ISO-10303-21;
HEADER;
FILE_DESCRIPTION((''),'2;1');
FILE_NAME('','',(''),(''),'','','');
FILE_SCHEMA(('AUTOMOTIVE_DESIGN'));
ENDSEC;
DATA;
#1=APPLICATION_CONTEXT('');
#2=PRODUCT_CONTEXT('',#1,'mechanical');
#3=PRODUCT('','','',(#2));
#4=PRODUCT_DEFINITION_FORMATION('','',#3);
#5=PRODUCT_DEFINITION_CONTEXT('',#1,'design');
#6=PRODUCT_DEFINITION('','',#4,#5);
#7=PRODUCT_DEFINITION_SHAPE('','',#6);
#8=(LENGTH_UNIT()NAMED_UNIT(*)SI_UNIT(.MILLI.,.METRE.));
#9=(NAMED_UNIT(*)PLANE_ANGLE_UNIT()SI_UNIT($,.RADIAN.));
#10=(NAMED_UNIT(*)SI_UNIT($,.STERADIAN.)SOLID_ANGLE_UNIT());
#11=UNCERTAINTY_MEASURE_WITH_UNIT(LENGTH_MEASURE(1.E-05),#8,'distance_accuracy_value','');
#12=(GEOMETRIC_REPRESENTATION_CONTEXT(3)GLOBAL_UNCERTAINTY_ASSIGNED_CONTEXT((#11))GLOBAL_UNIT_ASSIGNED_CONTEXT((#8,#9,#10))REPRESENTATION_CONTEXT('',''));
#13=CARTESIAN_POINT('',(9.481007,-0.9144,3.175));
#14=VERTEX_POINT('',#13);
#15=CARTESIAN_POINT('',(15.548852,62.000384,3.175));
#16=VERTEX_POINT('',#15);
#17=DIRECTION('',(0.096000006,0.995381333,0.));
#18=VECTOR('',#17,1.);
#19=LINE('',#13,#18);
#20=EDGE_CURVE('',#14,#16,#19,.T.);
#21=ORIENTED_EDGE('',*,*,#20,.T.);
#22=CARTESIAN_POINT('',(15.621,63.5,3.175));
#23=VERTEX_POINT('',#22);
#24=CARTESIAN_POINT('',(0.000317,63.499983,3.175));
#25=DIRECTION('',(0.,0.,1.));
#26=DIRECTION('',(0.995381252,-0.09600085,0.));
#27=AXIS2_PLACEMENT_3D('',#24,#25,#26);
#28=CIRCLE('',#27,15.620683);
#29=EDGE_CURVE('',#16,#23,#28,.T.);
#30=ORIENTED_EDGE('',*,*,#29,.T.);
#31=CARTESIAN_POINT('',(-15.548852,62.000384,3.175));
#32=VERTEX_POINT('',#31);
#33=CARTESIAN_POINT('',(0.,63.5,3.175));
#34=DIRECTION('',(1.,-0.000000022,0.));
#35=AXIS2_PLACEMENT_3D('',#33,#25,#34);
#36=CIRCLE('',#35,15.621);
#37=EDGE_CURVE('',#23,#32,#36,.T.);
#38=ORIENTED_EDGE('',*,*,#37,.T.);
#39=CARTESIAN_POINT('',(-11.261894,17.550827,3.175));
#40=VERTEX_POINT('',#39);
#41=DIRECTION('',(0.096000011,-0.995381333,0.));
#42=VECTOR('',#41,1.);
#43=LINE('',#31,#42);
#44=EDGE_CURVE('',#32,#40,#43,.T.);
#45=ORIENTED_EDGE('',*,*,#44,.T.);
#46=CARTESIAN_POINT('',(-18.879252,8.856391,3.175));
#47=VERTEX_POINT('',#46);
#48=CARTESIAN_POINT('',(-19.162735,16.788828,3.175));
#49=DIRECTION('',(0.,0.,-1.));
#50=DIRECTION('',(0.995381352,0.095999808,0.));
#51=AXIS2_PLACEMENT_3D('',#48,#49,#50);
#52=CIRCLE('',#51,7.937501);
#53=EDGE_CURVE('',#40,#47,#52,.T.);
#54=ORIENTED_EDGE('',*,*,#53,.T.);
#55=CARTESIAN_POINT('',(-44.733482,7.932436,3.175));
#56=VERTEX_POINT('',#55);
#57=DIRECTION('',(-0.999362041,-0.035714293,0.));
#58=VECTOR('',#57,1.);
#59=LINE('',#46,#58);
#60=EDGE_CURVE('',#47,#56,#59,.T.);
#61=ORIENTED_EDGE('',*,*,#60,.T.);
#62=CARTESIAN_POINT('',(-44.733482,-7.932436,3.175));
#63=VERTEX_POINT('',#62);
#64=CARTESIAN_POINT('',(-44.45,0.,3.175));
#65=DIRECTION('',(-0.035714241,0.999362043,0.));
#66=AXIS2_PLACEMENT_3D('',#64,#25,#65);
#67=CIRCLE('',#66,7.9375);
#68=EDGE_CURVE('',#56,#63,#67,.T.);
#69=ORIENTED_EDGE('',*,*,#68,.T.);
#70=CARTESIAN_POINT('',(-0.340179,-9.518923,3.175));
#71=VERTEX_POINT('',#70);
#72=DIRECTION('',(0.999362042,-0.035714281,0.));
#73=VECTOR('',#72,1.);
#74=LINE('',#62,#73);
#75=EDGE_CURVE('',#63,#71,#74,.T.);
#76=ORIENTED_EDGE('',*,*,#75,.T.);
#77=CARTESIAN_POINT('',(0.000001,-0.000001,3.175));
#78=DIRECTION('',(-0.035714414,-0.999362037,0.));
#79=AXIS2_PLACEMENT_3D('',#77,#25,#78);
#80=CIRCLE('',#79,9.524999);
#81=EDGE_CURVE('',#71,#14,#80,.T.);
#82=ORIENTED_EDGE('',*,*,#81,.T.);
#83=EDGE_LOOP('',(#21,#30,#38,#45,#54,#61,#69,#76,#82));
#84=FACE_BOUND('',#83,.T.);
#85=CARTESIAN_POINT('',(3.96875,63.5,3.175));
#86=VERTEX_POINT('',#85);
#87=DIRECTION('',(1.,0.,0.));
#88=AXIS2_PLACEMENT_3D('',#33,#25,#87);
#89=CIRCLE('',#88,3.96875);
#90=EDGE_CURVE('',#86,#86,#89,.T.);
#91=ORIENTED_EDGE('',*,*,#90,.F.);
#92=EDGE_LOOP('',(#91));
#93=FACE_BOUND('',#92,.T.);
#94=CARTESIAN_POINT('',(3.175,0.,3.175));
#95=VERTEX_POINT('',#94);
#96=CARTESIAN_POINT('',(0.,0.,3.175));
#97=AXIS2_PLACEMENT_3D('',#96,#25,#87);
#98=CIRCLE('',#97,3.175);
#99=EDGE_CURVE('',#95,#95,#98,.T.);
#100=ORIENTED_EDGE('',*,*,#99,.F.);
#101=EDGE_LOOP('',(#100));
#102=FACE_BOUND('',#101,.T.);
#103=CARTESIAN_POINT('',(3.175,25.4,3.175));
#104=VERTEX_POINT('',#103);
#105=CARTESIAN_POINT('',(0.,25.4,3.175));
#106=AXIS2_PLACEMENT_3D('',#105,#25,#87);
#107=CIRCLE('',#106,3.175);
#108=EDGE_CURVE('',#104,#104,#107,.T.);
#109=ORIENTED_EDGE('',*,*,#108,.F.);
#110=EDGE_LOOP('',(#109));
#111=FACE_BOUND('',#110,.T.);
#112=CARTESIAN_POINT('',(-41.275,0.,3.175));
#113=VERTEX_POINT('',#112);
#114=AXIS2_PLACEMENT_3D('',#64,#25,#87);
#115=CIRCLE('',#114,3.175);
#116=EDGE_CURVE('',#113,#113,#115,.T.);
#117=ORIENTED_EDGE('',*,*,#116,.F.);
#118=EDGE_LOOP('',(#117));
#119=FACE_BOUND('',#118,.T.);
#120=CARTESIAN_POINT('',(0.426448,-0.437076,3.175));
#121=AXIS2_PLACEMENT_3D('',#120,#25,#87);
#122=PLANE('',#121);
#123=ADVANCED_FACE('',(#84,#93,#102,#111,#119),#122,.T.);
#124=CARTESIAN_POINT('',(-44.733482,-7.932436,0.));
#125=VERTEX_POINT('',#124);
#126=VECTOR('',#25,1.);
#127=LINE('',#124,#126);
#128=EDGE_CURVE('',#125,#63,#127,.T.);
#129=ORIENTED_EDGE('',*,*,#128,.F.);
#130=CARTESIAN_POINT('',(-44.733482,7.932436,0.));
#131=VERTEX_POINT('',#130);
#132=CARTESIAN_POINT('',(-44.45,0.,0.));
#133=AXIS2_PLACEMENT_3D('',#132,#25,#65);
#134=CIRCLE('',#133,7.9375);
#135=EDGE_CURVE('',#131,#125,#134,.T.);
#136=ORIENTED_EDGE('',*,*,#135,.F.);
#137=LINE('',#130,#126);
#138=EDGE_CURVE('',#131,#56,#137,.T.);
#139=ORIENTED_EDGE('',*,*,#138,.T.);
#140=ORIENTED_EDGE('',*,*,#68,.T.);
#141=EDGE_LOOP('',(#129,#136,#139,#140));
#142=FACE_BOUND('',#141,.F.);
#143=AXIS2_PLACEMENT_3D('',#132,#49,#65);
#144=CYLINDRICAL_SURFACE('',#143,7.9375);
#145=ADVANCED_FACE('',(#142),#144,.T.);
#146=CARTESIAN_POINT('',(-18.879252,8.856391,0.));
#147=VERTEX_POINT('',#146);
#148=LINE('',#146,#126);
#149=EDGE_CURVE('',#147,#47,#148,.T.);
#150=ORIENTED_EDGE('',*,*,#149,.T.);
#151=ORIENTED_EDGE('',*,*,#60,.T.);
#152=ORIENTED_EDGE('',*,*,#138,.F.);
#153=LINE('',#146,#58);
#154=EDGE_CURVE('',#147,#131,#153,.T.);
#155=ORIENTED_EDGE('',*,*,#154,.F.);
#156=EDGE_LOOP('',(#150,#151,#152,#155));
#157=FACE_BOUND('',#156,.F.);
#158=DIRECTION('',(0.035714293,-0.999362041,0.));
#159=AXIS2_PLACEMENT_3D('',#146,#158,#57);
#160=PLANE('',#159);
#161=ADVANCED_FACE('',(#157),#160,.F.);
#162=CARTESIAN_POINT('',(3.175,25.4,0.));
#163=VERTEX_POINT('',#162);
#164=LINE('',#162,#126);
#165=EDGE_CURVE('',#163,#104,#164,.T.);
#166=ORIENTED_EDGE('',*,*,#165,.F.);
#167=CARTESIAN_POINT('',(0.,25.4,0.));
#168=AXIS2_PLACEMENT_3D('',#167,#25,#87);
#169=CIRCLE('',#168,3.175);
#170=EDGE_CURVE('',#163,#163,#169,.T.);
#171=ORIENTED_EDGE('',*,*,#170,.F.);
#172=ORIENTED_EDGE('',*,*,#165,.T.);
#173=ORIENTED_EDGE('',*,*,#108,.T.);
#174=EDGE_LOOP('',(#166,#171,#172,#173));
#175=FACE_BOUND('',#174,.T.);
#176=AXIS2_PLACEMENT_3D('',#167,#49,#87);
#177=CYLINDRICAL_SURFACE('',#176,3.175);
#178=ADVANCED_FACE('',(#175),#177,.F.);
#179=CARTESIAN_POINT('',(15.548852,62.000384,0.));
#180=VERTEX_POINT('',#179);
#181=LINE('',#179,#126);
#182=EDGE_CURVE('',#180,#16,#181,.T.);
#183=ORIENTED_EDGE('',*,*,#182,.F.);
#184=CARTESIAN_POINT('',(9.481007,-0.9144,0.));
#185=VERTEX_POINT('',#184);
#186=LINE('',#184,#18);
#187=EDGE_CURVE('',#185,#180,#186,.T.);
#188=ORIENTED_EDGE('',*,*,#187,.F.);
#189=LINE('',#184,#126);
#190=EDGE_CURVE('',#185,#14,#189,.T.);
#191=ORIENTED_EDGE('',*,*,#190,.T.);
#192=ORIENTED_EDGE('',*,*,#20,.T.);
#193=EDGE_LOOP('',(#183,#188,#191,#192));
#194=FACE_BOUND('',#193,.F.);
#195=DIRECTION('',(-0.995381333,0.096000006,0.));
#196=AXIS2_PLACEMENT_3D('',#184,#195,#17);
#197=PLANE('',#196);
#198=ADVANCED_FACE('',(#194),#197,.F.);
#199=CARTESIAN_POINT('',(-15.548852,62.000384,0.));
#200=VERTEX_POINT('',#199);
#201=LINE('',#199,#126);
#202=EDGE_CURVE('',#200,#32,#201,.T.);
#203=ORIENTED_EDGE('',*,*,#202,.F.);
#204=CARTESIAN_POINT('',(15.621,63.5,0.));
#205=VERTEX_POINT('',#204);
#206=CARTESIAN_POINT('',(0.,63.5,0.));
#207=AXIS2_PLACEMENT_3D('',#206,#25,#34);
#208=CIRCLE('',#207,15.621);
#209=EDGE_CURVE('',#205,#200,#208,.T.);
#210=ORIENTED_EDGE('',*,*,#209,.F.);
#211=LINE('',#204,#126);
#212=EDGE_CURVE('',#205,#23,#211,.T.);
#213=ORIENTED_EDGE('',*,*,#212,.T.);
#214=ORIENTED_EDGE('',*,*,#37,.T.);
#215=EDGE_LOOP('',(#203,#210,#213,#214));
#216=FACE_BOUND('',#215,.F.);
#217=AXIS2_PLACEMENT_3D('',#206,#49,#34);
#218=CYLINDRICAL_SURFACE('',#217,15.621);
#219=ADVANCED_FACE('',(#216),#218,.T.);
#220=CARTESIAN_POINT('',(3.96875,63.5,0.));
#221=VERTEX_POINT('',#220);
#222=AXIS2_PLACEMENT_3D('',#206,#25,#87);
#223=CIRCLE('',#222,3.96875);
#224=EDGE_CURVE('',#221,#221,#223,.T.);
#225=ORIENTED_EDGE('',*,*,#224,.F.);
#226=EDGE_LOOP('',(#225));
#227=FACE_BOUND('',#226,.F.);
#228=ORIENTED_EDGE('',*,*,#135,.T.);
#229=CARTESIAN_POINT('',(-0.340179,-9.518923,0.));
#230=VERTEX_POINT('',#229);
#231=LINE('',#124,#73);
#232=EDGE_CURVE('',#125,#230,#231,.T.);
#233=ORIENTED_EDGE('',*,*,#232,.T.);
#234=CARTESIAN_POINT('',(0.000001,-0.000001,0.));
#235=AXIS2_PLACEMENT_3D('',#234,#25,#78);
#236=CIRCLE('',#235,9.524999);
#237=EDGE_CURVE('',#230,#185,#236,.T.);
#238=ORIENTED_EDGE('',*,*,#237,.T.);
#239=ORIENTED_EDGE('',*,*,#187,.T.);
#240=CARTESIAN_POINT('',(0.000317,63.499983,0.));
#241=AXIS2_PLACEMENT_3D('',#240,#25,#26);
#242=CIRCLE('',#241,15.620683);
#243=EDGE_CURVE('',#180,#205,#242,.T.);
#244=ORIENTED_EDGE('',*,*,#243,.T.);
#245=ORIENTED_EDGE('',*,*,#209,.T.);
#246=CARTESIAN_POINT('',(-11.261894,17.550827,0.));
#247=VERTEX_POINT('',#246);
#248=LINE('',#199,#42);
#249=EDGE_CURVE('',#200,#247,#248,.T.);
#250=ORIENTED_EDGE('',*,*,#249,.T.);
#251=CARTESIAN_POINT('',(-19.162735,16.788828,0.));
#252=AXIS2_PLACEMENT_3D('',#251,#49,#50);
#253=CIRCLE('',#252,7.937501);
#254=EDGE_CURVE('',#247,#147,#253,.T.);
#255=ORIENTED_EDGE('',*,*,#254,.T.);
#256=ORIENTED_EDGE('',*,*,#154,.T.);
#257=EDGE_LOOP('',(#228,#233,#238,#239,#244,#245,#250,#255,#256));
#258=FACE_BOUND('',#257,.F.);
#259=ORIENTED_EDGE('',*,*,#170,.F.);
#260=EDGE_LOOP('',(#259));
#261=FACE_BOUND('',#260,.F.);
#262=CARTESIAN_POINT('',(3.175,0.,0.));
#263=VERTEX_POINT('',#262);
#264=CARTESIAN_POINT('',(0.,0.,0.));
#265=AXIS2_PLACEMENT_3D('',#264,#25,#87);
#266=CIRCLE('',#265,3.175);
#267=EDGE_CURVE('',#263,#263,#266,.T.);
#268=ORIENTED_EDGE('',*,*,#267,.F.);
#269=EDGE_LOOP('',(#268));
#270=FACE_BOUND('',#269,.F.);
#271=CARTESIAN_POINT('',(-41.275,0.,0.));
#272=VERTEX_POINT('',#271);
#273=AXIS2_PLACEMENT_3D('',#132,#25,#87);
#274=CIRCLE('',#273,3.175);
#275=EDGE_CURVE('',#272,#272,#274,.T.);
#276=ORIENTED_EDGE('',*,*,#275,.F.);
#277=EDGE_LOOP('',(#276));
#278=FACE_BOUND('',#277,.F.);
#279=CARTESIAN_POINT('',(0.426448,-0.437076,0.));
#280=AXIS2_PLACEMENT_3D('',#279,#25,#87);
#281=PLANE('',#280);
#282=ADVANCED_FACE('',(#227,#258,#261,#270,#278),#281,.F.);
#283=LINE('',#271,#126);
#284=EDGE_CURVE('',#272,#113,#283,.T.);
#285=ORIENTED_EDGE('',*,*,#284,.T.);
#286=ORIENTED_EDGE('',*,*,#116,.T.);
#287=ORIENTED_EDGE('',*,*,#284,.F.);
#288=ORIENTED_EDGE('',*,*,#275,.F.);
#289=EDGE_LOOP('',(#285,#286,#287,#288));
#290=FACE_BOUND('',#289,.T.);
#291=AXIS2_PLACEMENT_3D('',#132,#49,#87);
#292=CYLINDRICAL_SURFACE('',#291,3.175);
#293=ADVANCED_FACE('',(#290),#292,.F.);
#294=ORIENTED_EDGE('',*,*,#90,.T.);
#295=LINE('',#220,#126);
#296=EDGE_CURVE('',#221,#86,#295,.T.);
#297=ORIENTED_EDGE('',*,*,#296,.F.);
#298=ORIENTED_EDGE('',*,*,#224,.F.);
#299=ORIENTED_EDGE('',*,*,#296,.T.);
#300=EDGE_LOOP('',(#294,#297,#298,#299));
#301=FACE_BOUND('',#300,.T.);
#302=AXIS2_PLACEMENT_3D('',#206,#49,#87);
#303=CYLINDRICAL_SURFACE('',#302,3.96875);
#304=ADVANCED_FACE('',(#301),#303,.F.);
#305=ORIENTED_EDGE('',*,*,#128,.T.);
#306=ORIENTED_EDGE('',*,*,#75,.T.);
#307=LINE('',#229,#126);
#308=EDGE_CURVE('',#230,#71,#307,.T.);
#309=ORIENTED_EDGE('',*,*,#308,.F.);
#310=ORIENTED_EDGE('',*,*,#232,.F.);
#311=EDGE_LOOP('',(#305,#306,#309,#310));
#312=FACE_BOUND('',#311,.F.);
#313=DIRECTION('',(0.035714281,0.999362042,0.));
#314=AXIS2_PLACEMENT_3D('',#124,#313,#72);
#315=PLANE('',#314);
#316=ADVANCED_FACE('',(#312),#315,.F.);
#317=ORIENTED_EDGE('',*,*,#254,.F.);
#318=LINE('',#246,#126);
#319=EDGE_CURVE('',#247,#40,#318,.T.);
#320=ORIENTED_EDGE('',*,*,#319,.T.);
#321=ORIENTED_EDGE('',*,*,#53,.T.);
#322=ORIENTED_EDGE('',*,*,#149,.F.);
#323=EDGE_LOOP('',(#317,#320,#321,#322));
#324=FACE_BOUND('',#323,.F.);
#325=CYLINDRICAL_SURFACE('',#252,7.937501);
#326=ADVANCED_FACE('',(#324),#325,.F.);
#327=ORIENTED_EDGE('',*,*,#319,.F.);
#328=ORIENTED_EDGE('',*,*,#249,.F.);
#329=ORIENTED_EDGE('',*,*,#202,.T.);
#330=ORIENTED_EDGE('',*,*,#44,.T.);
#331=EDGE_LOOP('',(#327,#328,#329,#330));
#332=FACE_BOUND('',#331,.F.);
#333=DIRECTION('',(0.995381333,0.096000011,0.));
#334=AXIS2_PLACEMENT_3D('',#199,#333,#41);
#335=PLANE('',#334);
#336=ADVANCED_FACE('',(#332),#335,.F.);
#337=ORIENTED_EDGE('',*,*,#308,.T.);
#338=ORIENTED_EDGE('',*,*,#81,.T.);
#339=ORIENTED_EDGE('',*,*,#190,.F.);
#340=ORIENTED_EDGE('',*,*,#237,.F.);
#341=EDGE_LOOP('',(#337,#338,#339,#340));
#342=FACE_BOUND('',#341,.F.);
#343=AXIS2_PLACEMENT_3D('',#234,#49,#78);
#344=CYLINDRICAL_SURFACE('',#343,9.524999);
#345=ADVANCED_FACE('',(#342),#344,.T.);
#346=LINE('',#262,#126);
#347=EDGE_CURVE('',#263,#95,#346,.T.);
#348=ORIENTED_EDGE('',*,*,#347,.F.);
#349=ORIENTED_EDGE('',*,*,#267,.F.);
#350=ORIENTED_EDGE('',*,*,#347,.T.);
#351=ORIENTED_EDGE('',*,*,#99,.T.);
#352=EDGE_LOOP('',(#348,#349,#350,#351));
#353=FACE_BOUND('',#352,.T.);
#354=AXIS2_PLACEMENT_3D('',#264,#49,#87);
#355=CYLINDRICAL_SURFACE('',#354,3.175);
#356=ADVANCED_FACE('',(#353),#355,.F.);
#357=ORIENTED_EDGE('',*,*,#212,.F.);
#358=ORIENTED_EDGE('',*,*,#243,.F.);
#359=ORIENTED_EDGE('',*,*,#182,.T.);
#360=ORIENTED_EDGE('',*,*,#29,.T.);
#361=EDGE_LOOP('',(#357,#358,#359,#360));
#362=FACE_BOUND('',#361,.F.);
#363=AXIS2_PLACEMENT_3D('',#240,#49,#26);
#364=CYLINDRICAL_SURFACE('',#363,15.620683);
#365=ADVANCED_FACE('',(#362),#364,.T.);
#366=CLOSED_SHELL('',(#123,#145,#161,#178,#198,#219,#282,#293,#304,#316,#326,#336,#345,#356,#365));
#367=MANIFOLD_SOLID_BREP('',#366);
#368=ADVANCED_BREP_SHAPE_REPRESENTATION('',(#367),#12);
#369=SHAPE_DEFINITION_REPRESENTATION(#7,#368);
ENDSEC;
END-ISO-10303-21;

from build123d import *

# Parameters (mm, degrees)
F0_R     = 3.175
F0_R_2   = 3.96875
F1_DEPTH = 3.175


with BuildPart() as f1:
    # F0 (on Top) → F1 (new body)
    with BuildSketch(Plane.XY):
        with BuildLine():
            ThreePointArc((9.481007, -0.9144), (9.513995, -0.457729), (9.525, 0))
            ThreePointArc((9.525, 0), (-6.613827, 6.854408), (-0.340179, -9.518923))
            ThreePointArc((-0.340179, -9.518923), (6.276794, -7.16432), (9.481007, -0.9144))
        make_face()
        Circle(F0_R, mode=Mode.SUBTRACT)
        with BuildLine():
            ThreePointArc((-0.340179, -9.518923), (-6.613827, 6.854408), (9.525, 0))
            ThreePointArc((9.525, 0), (9.513995, -0.457729), (9.481007, -0.9144))
            Line((9.481007, -0.9144), (15.548852, 62.000384))
            ThreePointArc((15.548852, 62.000384), (0, 47.879), (-15.548852, 62.000384))
            Line((-15.548852, 62.000384), (-11.261894, 17.550827))
            ThreePointArc((-11.261894, 17.550827), (-13.192467, 11.558166), (-18.879252, 8.856391))
            Line((-18.879252, 8.856391), (-44.733482, 7.932436))
            ThreePointArc((-44.733482, 7.932436), (-38.938477, 5.712007), (-36.5125, 0))
            ThreePointArc((-36.5125, 0), (-38.938477, -5.712007), (-44.733482, -7.932436))
            Line((-44.733482, -7.932436), (-0.340179, -9.518923))
        make_face()
        with Locations((0, 25.4)):
            Circle(F0_R, mode=Mode.SUBTRACT)
        with BuildLine():
            ThreePointArc((-44.733482, 7.932436), (-52.3875, 0), (-44.733482, -7.932436))
            ThreePointArc((-44.733482, -7.932436), (-38.938477, -5.712007), (-36.5125, 0))
            ThreePointArc((-36.5125, 0), (-38.938477, 5.712007), (-44.733482, 7.932436))
        make_face()
        with Locations((-44.45, 0)):
            Circle(F0_R, mode=Mode.SUBTRACT)
        with BuildLine():
            ThreePointArc((-15.548852, 62.000384), (0, 47.879), (15.548852, 62.000384))
            ThreePointArc((15.548852, 62.000384), (15.602953, 62.749325), (15.621, 63.5))
            ThreePointArc((15.621, 63.5), (-0.750675, 79.102953), (-15.548852, 62.000384))
        make_face()
        with Locations((0, 63.5)):
            Circle(F0_R_2, mode=Mode.SUBTRACT)
    extrude(amount=F1_DEPTH)


solid = f1.part
